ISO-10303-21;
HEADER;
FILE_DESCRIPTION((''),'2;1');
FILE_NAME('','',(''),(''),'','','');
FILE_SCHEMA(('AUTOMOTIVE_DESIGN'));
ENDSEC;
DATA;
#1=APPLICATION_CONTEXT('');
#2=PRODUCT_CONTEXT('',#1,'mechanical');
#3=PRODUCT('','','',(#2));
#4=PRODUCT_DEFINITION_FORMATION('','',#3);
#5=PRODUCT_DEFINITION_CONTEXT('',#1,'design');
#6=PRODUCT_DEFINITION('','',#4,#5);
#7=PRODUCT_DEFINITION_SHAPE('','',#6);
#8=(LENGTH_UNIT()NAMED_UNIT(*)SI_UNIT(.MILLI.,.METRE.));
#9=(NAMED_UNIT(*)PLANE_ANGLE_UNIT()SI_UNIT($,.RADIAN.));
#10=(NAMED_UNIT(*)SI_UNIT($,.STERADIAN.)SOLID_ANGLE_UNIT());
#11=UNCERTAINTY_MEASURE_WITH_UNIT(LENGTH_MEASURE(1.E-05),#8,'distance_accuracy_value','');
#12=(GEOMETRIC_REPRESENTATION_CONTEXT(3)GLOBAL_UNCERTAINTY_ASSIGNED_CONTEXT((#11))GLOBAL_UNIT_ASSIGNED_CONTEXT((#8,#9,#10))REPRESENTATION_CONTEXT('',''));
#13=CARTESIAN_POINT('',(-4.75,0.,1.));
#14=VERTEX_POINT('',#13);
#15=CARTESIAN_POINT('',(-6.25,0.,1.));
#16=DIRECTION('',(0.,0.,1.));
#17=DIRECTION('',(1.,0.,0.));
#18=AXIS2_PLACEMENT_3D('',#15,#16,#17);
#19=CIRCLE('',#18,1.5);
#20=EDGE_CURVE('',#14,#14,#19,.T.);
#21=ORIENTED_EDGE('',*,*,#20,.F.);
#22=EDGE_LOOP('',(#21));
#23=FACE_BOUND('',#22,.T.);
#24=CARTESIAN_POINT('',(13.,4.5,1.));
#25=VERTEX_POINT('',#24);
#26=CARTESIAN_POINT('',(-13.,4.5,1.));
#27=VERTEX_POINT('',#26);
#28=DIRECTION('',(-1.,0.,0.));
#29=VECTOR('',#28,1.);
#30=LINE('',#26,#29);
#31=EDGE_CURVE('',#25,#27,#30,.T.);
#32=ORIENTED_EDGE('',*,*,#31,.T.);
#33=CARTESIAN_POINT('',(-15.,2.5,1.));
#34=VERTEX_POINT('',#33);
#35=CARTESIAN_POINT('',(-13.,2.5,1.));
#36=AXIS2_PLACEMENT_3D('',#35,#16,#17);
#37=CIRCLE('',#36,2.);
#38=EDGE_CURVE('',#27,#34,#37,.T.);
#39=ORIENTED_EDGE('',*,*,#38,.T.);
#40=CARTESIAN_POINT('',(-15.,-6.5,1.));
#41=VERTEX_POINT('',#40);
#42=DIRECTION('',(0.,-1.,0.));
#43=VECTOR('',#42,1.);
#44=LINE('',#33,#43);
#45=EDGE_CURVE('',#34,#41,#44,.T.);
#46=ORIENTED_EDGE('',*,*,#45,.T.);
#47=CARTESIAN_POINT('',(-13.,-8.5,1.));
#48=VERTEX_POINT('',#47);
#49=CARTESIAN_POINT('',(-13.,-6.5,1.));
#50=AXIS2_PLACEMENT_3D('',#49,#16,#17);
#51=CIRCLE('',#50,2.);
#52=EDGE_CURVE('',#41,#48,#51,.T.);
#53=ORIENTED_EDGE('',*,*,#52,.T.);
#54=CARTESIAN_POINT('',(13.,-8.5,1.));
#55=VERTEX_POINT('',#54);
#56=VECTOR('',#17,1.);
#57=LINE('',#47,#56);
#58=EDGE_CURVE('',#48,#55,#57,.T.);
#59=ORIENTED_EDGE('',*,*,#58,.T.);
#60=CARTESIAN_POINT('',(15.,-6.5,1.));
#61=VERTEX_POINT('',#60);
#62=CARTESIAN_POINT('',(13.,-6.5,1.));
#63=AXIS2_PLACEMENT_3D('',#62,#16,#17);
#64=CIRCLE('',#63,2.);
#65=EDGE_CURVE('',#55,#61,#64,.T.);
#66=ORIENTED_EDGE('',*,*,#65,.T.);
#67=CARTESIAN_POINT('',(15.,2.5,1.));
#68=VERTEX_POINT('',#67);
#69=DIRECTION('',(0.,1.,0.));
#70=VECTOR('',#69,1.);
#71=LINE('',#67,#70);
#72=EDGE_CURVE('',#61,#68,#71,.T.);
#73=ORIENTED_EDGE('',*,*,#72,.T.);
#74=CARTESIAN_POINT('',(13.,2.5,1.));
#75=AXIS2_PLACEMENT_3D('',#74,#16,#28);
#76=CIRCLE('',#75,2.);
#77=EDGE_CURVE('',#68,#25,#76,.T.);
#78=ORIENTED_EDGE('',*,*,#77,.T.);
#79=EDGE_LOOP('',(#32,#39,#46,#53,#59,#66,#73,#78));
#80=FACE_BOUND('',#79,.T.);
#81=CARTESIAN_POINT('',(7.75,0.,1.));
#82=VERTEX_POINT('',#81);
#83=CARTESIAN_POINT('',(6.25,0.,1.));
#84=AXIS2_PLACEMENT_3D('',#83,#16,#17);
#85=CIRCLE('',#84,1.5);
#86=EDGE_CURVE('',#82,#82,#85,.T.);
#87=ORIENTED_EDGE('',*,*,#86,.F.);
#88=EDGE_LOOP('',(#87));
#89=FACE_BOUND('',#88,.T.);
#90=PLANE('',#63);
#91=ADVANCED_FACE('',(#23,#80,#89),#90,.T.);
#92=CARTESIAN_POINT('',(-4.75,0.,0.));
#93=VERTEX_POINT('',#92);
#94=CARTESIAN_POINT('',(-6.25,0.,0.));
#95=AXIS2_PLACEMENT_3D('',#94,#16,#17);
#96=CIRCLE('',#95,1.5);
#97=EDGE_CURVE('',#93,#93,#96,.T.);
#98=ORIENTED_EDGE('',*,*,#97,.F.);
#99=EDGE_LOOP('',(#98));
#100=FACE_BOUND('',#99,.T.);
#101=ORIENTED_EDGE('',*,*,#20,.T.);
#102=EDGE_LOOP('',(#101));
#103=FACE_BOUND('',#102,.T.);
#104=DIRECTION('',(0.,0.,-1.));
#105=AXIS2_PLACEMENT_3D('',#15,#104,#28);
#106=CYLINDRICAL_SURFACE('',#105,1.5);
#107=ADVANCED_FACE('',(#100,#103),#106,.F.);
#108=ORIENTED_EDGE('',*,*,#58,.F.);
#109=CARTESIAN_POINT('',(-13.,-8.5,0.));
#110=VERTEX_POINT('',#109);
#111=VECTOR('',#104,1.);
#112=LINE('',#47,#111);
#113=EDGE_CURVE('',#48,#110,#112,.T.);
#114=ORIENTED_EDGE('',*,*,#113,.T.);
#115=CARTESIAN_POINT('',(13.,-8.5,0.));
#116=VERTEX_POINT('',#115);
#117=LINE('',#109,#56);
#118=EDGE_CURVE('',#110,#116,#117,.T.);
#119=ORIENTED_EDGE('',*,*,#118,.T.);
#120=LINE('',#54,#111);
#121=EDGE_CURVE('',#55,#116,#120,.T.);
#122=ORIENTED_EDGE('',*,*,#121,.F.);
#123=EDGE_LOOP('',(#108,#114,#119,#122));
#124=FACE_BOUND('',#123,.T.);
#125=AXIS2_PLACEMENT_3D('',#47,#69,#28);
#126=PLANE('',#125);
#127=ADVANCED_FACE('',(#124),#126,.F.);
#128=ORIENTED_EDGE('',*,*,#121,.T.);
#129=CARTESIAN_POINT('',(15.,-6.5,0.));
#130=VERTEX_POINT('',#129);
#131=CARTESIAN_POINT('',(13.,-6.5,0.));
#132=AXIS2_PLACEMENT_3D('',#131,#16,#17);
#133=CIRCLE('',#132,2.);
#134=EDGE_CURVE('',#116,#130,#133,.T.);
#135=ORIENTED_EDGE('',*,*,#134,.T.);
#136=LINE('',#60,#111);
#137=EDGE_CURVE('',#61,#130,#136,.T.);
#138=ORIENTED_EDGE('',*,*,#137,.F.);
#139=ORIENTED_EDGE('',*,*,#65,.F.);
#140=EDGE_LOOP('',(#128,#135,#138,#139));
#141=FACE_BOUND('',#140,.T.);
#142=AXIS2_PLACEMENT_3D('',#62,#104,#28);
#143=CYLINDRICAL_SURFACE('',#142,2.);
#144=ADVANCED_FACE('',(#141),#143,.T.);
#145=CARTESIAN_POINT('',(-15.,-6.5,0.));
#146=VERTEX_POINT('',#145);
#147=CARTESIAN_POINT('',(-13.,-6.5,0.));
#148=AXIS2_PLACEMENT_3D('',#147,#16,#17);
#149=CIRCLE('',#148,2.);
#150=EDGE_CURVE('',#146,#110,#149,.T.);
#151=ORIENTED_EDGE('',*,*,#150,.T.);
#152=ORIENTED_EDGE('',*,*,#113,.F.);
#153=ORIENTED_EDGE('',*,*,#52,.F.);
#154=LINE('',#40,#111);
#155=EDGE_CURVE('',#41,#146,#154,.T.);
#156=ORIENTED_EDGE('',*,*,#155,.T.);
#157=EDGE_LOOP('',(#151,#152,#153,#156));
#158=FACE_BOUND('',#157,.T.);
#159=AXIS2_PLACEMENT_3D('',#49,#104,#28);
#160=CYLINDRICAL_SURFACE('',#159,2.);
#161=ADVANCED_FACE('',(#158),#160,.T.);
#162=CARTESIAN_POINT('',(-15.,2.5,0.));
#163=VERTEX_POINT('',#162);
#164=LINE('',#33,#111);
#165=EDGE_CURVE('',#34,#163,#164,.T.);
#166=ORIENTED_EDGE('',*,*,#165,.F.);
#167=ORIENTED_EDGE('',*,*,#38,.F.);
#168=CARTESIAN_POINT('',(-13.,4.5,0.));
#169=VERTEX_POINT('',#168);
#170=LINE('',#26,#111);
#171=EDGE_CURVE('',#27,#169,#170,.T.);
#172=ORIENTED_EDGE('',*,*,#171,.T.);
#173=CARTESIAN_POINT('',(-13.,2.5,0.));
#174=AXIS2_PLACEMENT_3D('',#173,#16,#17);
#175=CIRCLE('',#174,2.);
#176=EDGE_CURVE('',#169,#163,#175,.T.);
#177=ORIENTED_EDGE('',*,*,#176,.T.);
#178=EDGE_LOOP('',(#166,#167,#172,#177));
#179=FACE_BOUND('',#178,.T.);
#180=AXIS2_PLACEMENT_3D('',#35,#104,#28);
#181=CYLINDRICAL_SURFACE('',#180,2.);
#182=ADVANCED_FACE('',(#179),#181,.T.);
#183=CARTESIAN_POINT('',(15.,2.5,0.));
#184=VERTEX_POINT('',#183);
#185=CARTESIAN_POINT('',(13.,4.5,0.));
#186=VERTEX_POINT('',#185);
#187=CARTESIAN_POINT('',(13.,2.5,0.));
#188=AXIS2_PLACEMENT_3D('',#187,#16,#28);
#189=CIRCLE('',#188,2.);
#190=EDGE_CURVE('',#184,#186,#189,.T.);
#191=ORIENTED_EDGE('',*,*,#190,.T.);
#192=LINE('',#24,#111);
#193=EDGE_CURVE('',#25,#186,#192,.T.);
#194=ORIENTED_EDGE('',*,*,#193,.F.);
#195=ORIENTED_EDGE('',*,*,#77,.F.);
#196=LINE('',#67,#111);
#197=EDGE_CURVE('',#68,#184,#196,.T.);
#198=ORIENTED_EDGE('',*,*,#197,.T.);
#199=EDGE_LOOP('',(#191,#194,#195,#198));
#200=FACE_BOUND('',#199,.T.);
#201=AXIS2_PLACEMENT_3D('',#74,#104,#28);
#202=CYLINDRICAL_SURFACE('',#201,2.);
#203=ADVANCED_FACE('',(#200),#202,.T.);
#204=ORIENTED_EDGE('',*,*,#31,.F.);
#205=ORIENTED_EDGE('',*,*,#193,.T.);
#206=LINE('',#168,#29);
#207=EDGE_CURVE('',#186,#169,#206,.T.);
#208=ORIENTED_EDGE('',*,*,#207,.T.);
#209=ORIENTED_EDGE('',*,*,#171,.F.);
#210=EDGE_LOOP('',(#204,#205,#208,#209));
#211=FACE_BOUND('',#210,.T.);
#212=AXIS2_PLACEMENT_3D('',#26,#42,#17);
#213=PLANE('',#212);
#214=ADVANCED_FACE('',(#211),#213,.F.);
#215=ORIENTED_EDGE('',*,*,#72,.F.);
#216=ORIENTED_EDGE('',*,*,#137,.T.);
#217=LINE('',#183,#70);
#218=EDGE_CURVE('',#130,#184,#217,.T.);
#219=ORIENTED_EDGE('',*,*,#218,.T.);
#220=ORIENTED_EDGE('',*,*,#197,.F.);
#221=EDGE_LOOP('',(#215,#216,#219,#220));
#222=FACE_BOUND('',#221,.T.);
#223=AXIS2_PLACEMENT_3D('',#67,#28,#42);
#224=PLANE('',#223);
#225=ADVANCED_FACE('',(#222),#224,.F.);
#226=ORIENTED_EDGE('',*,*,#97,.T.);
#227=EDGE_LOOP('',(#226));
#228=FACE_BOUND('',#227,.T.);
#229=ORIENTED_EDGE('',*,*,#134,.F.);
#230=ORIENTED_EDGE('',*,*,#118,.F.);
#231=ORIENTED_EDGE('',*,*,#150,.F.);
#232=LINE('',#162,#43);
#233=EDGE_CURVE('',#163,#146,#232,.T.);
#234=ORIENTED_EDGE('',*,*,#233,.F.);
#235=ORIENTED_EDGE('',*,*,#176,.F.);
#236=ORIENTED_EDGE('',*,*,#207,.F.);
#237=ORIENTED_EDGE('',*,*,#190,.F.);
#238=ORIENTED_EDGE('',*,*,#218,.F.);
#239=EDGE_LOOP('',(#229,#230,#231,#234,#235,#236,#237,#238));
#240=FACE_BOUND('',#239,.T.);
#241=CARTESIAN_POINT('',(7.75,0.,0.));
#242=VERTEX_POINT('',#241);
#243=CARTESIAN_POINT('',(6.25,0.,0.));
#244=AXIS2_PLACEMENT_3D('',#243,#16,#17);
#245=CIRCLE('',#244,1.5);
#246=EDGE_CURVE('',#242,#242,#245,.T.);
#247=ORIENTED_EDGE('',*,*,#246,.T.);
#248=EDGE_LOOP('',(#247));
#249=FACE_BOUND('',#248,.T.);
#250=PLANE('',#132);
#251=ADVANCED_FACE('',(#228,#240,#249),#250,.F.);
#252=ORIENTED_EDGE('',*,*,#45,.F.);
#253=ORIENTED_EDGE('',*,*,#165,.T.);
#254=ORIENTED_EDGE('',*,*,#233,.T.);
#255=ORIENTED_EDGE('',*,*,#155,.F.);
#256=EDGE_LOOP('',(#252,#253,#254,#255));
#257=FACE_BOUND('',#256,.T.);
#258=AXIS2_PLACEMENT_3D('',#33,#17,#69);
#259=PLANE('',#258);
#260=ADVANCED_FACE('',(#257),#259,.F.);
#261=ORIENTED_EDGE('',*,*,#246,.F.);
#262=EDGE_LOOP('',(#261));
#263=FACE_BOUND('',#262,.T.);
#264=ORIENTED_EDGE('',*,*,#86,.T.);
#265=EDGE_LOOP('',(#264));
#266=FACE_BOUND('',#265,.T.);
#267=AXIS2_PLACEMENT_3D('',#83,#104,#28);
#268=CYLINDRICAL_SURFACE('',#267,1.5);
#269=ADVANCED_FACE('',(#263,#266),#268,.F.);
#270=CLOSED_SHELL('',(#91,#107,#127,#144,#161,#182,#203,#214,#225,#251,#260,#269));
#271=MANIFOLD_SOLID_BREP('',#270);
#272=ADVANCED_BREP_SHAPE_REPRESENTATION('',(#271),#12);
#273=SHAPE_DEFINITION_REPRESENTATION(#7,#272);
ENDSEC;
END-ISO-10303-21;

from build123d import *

# Parameters (mm, degrees)
ESQUISSE1_R        = 1.5
BOSS_EXTRU_1_DEPTH = 1


with BuildPart() as part:
    # Esquisse1 → Boss.-Extru.1 (new body)
    with BuildSketch(Plane.XY):
        with BuildLine():
            Line((-13, 4.5), (13, 4.5))
            ThreePointArc((13, 4.5), (14.414213562, 3.914213562), (15, 2.5))
            Line((15, 2.5), (15, -6.5))
            ThreePointArc((15, -6.5), (14.414213562, -7.914213562), (13, -8.5))
            Line((13, -8.5), (-13, -8.5))
            ThreePointArc((-13, -8.5), (-14.414213562, -7.914213562), (-15, -6.5))
            Line((-15, -6.5), (-15, 2.5))
            ThreePointArc((-15, 2.5), (-14.414213562, 3.914213562), (-13, 4.5))
        make_face()
        with Locations((-6.25, 0)):
            Circle(ESQUISSE1_R, mode=Mode.SUBTRACT)
        with Locations((6.25, 0)):
            Circle(ESQUISSE1_R, mode=Mode.SUBTRACT)
    extrude(amount=BOSS_EXTRU_1_DEPTH)


solid = part.part
